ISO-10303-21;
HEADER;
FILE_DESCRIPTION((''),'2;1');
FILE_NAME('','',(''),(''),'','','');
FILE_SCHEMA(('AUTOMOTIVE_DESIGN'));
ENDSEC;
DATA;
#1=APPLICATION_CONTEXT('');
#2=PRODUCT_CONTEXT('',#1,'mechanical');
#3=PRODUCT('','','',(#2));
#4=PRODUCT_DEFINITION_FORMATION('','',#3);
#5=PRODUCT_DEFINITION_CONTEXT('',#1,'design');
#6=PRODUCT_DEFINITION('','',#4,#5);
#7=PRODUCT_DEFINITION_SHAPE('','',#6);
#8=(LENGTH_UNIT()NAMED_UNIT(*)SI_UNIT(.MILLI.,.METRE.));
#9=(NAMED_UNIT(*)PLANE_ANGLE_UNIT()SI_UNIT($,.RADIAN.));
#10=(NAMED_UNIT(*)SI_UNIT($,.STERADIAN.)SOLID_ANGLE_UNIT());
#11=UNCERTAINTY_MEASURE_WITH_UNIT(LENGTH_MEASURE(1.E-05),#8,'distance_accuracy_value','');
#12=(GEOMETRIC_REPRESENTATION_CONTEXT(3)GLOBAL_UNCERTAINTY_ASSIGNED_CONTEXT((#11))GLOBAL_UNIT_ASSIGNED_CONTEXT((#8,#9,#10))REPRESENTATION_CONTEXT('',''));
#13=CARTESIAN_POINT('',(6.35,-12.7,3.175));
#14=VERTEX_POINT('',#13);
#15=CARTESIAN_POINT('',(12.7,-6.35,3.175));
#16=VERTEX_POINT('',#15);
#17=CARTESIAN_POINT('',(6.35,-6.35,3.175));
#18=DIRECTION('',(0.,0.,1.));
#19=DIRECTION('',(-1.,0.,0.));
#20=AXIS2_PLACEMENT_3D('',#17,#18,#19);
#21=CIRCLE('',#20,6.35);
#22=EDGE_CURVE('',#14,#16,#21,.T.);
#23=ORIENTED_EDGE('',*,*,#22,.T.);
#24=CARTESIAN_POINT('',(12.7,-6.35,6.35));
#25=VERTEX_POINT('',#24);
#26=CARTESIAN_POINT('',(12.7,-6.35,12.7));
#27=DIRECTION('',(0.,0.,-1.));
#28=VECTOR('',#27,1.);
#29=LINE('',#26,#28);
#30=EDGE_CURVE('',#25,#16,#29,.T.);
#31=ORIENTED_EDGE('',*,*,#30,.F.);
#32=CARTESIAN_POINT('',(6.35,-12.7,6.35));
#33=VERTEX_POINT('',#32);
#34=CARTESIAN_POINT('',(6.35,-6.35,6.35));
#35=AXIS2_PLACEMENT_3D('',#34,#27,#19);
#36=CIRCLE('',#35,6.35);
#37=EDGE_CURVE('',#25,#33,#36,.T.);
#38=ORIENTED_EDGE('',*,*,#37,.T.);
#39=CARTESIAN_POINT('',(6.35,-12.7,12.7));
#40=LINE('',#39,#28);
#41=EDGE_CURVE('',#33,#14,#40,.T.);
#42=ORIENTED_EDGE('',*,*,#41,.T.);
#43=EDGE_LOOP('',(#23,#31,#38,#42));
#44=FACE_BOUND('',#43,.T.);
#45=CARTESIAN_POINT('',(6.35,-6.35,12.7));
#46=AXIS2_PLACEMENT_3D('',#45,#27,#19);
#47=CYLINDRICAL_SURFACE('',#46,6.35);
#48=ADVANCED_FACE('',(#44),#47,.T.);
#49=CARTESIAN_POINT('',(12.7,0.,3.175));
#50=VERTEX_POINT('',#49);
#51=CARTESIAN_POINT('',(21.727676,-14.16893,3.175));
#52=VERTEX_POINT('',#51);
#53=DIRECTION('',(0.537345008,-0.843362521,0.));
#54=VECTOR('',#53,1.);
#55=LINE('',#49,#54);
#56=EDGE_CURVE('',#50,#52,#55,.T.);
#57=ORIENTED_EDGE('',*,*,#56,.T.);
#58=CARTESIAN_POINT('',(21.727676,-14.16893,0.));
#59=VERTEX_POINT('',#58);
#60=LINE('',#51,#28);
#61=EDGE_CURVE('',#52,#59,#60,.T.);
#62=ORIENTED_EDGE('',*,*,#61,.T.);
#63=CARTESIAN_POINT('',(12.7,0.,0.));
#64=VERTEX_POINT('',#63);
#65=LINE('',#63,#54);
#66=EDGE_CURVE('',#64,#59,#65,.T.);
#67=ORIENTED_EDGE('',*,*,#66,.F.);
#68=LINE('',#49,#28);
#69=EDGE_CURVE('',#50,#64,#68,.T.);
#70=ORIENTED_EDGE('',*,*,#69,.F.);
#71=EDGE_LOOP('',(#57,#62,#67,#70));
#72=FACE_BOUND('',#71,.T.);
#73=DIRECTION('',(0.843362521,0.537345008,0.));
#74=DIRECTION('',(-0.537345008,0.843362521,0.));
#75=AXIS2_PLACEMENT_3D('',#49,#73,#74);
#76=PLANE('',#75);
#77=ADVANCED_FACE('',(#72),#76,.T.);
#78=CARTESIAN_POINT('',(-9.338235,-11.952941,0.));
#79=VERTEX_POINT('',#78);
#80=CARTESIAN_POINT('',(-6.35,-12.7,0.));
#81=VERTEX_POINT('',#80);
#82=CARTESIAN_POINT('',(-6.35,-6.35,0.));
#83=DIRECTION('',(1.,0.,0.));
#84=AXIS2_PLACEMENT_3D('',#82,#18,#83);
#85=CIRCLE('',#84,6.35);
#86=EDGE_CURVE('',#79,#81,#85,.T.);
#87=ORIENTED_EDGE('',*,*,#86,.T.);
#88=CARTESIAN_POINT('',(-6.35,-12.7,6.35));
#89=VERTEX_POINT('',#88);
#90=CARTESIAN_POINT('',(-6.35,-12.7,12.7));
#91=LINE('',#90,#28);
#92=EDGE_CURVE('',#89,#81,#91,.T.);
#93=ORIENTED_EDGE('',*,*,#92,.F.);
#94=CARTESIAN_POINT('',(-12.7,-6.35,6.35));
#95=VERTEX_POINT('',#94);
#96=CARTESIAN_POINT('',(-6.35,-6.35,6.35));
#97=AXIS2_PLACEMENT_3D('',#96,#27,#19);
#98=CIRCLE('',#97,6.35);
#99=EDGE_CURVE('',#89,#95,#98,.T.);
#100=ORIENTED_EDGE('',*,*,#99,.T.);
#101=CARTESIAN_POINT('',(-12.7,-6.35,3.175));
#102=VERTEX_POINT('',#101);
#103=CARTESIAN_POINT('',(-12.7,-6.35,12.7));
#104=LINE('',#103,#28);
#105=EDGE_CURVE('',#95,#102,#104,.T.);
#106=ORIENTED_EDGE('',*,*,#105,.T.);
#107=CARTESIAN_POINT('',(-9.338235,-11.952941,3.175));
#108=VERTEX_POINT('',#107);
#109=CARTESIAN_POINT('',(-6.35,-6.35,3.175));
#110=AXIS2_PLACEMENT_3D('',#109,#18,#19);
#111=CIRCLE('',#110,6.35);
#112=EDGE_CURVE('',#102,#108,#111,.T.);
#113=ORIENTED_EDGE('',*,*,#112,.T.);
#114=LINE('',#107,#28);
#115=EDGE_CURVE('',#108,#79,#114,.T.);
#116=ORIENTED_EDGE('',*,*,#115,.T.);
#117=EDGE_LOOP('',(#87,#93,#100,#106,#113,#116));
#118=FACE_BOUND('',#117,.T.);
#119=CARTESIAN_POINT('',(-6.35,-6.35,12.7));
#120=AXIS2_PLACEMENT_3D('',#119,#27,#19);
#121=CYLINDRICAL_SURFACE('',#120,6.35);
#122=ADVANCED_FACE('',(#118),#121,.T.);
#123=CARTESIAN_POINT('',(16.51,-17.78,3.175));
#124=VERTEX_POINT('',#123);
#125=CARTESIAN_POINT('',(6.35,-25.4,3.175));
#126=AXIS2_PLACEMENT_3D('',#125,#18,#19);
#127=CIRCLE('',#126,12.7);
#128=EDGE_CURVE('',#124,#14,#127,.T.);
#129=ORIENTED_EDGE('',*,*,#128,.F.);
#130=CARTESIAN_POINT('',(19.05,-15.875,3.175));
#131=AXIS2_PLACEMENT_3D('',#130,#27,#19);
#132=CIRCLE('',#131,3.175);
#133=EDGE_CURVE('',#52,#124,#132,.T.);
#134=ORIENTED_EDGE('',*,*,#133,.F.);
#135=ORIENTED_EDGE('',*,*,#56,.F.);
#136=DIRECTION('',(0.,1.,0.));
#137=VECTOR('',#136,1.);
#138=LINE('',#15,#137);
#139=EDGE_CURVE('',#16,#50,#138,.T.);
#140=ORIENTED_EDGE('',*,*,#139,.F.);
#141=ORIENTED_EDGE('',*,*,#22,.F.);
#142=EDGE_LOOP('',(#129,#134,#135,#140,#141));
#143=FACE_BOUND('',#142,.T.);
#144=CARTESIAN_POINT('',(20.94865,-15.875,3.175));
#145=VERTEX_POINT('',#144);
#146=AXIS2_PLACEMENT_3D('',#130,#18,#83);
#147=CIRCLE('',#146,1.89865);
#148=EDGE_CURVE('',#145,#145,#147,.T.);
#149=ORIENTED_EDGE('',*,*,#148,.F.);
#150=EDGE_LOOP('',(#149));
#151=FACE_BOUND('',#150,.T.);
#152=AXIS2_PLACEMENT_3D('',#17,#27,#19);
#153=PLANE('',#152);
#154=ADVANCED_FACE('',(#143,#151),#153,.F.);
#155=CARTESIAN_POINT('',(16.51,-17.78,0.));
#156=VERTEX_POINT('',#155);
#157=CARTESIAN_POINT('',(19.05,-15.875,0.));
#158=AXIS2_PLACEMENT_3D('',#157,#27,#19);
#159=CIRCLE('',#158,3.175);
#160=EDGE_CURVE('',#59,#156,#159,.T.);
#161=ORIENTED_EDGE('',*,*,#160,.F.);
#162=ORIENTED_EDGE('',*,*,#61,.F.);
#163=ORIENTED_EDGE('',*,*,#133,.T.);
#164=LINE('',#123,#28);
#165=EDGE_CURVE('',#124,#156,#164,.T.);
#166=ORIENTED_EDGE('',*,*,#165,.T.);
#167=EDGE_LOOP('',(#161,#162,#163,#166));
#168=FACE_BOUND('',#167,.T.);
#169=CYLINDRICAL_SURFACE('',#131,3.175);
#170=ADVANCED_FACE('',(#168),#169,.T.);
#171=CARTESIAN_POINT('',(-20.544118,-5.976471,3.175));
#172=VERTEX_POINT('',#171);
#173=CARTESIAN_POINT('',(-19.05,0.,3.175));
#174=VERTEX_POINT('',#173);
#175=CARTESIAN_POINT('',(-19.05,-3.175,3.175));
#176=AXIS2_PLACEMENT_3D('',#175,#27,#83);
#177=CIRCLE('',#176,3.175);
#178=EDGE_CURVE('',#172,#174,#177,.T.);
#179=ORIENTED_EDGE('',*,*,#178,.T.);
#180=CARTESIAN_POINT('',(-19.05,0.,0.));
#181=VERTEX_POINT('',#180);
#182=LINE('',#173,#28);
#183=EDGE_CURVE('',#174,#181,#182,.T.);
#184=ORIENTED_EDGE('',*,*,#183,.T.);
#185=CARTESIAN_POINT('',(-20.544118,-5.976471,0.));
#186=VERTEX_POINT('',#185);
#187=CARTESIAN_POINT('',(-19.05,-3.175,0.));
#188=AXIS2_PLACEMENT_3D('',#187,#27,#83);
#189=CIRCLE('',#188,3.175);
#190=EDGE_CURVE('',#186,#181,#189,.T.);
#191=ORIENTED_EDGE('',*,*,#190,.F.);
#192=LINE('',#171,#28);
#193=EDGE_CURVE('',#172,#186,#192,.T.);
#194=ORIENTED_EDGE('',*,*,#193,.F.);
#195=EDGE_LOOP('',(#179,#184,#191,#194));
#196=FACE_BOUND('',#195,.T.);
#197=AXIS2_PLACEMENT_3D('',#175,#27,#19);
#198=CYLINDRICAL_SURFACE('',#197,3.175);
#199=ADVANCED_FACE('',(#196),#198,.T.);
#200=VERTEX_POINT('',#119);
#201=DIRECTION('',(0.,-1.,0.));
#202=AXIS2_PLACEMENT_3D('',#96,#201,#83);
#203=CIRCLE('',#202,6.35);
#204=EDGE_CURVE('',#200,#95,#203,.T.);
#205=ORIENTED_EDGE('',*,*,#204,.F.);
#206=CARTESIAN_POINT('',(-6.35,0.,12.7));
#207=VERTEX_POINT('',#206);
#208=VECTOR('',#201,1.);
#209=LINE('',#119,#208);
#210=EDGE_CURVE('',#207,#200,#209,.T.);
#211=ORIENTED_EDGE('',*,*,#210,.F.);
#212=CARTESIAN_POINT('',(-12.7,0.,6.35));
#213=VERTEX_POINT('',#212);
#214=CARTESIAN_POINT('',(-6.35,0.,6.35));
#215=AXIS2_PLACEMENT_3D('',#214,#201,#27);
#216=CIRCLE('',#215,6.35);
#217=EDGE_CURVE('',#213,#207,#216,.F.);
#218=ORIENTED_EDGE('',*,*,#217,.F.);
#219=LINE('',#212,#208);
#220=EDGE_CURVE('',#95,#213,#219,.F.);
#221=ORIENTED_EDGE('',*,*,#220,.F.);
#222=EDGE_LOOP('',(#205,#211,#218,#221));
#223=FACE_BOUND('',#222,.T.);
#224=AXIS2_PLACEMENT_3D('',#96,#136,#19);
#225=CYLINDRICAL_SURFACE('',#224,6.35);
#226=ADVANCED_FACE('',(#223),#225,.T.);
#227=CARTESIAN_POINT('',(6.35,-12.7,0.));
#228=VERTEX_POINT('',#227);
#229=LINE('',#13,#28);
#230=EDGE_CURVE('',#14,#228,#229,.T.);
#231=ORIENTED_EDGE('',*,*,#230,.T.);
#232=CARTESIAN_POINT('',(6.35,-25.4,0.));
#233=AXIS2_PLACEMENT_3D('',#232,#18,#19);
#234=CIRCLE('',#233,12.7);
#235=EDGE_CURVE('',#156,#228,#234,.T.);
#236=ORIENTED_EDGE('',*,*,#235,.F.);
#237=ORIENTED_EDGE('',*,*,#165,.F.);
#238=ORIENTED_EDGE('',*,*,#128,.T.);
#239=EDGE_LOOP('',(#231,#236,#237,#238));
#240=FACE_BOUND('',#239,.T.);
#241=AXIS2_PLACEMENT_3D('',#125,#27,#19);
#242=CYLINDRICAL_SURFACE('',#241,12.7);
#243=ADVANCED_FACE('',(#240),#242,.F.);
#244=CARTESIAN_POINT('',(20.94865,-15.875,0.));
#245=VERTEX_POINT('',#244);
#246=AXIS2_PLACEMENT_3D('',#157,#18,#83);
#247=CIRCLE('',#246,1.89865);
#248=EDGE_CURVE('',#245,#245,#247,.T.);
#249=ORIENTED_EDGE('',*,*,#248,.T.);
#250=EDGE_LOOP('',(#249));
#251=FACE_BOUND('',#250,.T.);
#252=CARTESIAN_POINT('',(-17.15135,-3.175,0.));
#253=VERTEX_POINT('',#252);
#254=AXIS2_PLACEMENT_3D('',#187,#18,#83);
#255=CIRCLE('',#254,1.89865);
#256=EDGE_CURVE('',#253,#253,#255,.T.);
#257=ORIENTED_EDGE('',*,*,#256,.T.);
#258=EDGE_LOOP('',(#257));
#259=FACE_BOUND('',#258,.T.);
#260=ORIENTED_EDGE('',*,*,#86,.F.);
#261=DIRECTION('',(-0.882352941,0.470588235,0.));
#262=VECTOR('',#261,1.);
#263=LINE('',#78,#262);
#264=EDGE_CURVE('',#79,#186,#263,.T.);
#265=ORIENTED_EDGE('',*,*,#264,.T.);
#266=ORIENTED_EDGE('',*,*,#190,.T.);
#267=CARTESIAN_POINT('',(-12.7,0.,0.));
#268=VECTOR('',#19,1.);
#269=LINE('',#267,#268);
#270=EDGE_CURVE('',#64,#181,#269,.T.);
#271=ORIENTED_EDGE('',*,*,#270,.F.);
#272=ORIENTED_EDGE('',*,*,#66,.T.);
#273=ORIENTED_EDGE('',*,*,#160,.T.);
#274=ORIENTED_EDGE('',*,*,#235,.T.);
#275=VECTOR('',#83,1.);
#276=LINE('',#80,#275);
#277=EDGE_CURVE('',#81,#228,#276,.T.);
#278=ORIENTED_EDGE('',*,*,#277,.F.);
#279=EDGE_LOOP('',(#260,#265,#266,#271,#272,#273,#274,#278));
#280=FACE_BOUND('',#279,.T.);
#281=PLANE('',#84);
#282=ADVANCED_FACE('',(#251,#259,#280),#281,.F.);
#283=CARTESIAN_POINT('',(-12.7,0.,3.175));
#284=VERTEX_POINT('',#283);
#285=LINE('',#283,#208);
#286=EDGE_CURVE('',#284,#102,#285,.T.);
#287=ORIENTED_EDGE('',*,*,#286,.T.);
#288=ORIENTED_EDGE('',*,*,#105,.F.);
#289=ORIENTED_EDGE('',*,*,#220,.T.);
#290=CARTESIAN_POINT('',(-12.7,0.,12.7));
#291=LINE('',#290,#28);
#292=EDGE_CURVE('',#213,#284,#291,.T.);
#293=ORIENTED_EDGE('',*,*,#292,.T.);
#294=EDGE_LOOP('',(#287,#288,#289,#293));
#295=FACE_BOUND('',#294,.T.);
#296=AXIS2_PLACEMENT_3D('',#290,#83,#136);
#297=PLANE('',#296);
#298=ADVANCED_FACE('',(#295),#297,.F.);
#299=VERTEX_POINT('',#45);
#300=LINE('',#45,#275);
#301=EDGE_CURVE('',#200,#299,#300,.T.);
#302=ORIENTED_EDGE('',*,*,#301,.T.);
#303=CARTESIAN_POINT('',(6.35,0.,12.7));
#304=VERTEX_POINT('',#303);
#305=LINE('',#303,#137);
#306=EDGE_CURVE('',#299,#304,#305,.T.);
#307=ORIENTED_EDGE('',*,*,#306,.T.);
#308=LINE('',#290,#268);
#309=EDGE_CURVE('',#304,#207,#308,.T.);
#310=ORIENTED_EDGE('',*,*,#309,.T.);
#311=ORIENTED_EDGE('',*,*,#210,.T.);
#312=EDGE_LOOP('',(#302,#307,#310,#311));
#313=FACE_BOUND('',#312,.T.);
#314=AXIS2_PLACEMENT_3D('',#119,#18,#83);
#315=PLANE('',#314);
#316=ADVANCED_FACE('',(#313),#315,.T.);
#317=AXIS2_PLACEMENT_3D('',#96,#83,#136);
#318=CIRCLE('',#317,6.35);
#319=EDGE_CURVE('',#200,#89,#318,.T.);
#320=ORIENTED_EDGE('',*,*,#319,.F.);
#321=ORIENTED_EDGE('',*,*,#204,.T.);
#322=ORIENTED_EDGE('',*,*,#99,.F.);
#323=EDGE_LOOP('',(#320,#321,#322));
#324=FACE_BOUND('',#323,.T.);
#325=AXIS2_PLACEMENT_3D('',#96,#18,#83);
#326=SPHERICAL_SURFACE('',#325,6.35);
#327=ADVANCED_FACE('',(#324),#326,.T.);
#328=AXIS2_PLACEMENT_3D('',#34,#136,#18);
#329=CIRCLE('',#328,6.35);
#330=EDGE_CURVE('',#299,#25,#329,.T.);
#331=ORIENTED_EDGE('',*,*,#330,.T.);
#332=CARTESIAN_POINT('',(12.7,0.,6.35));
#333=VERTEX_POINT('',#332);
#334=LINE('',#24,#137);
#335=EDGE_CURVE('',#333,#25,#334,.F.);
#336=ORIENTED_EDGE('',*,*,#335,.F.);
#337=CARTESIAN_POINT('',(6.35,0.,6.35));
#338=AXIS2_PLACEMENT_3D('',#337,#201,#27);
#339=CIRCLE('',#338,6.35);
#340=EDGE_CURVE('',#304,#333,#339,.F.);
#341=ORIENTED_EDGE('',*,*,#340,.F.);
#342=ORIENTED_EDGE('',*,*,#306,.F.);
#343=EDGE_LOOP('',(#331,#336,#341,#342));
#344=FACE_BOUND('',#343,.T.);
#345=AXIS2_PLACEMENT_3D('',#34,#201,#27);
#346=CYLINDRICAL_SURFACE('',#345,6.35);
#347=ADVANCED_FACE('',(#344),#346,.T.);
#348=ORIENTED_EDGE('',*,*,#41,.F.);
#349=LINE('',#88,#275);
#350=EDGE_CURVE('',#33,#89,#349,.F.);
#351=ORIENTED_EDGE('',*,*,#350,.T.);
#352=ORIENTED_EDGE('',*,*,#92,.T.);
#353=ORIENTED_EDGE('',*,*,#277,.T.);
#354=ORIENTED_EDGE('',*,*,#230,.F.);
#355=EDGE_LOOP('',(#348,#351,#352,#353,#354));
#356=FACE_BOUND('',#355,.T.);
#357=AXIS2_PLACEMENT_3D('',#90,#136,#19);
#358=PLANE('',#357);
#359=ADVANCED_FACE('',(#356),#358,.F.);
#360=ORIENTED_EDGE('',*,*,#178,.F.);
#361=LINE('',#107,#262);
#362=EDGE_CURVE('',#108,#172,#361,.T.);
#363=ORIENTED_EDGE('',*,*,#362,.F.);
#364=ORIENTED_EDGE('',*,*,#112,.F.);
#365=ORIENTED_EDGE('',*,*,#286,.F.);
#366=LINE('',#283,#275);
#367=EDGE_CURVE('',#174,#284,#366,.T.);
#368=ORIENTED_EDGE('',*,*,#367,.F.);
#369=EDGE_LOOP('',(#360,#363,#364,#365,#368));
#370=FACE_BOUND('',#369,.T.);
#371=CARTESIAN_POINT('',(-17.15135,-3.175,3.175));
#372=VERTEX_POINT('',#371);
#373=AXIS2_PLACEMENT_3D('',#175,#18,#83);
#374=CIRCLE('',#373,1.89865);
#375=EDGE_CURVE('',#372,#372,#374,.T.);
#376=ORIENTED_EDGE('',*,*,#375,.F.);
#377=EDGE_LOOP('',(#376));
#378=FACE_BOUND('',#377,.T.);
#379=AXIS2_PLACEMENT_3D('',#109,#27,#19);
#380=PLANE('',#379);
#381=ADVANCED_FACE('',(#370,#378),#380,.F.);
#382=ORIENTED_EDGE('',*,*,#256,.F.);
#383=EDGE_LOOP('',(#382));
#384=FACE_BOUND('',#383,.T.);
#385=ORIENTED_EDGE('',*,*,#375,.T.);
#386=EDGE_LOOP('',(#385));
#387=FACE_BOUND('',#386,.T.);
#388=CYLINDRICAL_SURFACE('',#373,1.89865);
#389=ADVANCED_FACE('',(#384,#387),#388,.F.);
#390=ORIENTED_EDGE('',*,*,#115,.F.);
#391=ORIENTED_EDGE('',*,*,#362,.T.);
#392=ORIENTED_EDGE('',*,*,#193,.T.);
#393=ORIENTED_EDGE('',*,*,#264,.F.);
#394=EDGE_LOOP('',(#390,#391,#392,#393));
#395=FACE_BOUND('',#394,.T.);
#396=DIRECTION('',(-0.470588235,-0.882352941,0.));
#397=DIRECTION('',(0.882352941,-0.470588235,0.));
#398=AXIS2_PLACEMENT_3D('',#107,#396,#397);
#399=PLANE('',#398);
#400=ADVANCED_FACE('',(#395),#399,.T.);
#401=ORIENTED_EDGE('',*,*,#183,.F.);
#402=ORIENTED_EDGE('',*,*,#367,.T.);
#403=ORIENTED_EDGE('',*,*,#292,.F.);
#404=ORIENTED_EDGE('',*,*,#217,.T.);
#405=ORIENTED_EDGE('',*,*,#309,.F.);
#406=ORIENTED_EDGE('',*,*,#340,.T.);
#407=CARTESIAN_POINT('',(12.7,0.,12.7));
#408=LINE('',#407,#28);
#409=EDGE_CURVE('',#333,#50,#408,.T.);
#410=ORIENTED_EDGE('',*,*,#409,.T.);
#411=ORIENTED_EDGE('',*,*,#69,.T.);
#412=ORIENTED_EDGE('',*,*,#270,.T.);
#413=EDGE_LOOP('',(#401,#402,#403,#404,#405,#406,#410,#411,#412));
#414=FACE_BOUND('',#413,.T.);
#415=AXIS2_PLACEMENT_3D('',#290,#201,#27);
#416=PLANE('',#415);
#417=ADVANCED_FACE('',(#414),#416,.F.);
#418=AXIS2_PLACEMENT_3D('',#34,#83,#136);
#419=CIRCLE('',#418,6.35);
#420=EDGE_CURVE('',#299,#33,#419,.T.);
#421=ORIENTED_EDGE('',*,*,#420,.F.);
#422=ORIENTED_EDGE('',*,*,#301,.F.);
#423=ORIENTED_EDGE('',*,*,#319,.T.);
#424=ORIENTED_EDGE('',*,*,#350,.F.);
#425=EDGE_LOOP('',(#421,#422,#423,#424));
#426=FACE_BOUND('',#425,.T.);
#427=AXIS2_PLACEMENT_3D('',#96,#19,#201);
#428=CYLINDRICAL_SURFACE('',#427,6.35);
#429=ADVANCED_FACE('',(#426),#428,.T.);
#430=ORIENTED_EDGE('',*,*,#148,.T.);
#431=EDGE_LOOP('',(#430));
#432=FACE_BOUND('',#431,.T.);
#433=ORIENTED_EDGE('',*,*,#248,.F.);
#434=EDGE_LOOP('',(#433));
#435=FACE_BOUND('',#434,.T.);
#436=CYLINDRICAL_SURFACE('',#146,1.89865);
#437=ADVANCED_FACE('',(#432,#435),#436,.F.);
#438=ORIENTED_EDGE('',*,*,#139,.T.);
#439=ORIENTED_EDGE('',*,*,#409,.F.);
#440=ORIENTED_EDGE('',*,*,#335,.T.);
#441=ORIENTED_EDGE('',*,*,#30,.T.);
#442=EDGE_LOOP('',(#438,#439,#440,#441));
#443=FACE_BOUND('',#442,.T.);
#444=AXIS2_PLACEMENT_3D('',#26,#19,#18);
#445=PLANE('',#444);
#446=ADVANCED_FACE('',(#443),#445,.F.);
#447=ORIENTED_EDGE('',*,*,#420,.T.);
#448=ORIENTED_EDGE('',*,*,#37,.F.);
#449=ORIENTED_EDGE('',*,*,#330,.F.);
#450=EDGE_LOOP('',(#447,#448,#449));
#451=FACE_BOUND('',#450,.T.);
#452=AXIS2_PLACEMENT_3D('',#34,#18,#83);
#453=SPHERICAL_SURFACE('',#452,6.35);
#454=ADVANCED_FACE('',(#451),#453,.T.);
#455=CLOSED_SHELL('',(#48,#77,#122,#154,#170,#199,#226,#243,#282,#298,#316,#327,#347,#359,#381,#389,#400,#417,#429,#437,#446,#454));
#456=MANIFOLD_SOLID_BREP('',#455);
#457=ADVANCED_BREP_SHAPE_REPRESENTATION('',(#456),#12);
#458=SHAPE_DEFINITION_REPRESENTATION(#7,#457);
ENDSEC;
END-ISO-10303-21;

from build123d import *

# Parameters (mm, degrees)
BOSS_EXTRUDE1_DEPTH   = 12.7
BOSS_EXTRUDE2_DEPTH   = 3.175
FILLET1_R             = 6.35
F_6_CLEARANCE_HOLE1_D = 3.7973


with BuildPart() as part:
    # Sketch1 → Boss-Extrude1 (new body)
    with BuildSketch(Plane.XY):
        with BuildLine():
            Line((-12.7, 0), (12.7, 0))
            Line((12.7, 0), (12.7, -6.35))
            ThreePointArc((12.7, -6.35), (10.840128061, -10.840128061), (6.35, -12.7))
            Line((6.35, -12.7), (-6.35, -12.7))
            ThreePointArc((-6.35, -12.7), (-10.840128061, -10.840128061), (-12.7, -6.35))
            Line((-12.7, -6.35), (-12.7, 0))
        make_face()
    extrude(amount=BOSS_EXTRUDE1_DEPTH)

    # Sketch2 → Boss-Extrude2 (add)
    with BuildSketch(Plane(origin=(0, 0, 0), x_dir=(-1, 0, 0), z_dir=(0, 0, -1))):
        with BuildLine():
            Line((12.7, 0), (12.7, -6.35))
            ThreePointArc((12.7, -6.35), (11.795080078, -9.617048047), (9.338235294, -11.952941176))
            Line((9.338235294, -11.952941176), (20.544117647, -5.976470588))
            ThreePointArc((20.544117647, -5.976470588), (22.130202438, -2.404949391), (19.05, 0))
            Line((19.05, 0), (12.7, 0))
        make_face()
        with BuildLine():
            Line((-12.7, 0), (-21.727676004, -14.168929598))
            ThreePointArc((-21.727676004, -14.168929598), (-20.856846986, -18.485733416), (-16.51, -17.78))
            ThreePointArc((-16.51, -17.78), (-12.029612663, -14.040774674), (-6.35, -12.7))
            ThreePointArc((-6.35, -12.7), (-10.840128061, -10.840128061), (-12.7, -6.35))
            Line((-12.7, -6.35), (-12.7, 0))
        make_face()
    extrude(amount=-BOSS_EXTRUDE2_DEPTH)

    # Fillet1
    fillet1_edges = [part.edges().sort_by_distance(p)[0] for p in [
        (-12.7, -3.175, 12.7),
        (-10.840128061, -10.840128061, 12.7),
        (0, -12.7, 12.7),
        (10.840128061, -10.840128061, 12.7),
        (12.7, -3.175, 12.7),
    ]]
    fillet(fillet1_edges, radius=FILLET1_R)

    # #6 Clearance Hole1 (through all)
    with Locations(Plane.XY.offset(3.175)):
        with Locations((-19.05, -3.175), (19.05, -15.875)):
            Hole(F_6_CLEARANCE_HOLE1_D / 2)


solid = part.part
